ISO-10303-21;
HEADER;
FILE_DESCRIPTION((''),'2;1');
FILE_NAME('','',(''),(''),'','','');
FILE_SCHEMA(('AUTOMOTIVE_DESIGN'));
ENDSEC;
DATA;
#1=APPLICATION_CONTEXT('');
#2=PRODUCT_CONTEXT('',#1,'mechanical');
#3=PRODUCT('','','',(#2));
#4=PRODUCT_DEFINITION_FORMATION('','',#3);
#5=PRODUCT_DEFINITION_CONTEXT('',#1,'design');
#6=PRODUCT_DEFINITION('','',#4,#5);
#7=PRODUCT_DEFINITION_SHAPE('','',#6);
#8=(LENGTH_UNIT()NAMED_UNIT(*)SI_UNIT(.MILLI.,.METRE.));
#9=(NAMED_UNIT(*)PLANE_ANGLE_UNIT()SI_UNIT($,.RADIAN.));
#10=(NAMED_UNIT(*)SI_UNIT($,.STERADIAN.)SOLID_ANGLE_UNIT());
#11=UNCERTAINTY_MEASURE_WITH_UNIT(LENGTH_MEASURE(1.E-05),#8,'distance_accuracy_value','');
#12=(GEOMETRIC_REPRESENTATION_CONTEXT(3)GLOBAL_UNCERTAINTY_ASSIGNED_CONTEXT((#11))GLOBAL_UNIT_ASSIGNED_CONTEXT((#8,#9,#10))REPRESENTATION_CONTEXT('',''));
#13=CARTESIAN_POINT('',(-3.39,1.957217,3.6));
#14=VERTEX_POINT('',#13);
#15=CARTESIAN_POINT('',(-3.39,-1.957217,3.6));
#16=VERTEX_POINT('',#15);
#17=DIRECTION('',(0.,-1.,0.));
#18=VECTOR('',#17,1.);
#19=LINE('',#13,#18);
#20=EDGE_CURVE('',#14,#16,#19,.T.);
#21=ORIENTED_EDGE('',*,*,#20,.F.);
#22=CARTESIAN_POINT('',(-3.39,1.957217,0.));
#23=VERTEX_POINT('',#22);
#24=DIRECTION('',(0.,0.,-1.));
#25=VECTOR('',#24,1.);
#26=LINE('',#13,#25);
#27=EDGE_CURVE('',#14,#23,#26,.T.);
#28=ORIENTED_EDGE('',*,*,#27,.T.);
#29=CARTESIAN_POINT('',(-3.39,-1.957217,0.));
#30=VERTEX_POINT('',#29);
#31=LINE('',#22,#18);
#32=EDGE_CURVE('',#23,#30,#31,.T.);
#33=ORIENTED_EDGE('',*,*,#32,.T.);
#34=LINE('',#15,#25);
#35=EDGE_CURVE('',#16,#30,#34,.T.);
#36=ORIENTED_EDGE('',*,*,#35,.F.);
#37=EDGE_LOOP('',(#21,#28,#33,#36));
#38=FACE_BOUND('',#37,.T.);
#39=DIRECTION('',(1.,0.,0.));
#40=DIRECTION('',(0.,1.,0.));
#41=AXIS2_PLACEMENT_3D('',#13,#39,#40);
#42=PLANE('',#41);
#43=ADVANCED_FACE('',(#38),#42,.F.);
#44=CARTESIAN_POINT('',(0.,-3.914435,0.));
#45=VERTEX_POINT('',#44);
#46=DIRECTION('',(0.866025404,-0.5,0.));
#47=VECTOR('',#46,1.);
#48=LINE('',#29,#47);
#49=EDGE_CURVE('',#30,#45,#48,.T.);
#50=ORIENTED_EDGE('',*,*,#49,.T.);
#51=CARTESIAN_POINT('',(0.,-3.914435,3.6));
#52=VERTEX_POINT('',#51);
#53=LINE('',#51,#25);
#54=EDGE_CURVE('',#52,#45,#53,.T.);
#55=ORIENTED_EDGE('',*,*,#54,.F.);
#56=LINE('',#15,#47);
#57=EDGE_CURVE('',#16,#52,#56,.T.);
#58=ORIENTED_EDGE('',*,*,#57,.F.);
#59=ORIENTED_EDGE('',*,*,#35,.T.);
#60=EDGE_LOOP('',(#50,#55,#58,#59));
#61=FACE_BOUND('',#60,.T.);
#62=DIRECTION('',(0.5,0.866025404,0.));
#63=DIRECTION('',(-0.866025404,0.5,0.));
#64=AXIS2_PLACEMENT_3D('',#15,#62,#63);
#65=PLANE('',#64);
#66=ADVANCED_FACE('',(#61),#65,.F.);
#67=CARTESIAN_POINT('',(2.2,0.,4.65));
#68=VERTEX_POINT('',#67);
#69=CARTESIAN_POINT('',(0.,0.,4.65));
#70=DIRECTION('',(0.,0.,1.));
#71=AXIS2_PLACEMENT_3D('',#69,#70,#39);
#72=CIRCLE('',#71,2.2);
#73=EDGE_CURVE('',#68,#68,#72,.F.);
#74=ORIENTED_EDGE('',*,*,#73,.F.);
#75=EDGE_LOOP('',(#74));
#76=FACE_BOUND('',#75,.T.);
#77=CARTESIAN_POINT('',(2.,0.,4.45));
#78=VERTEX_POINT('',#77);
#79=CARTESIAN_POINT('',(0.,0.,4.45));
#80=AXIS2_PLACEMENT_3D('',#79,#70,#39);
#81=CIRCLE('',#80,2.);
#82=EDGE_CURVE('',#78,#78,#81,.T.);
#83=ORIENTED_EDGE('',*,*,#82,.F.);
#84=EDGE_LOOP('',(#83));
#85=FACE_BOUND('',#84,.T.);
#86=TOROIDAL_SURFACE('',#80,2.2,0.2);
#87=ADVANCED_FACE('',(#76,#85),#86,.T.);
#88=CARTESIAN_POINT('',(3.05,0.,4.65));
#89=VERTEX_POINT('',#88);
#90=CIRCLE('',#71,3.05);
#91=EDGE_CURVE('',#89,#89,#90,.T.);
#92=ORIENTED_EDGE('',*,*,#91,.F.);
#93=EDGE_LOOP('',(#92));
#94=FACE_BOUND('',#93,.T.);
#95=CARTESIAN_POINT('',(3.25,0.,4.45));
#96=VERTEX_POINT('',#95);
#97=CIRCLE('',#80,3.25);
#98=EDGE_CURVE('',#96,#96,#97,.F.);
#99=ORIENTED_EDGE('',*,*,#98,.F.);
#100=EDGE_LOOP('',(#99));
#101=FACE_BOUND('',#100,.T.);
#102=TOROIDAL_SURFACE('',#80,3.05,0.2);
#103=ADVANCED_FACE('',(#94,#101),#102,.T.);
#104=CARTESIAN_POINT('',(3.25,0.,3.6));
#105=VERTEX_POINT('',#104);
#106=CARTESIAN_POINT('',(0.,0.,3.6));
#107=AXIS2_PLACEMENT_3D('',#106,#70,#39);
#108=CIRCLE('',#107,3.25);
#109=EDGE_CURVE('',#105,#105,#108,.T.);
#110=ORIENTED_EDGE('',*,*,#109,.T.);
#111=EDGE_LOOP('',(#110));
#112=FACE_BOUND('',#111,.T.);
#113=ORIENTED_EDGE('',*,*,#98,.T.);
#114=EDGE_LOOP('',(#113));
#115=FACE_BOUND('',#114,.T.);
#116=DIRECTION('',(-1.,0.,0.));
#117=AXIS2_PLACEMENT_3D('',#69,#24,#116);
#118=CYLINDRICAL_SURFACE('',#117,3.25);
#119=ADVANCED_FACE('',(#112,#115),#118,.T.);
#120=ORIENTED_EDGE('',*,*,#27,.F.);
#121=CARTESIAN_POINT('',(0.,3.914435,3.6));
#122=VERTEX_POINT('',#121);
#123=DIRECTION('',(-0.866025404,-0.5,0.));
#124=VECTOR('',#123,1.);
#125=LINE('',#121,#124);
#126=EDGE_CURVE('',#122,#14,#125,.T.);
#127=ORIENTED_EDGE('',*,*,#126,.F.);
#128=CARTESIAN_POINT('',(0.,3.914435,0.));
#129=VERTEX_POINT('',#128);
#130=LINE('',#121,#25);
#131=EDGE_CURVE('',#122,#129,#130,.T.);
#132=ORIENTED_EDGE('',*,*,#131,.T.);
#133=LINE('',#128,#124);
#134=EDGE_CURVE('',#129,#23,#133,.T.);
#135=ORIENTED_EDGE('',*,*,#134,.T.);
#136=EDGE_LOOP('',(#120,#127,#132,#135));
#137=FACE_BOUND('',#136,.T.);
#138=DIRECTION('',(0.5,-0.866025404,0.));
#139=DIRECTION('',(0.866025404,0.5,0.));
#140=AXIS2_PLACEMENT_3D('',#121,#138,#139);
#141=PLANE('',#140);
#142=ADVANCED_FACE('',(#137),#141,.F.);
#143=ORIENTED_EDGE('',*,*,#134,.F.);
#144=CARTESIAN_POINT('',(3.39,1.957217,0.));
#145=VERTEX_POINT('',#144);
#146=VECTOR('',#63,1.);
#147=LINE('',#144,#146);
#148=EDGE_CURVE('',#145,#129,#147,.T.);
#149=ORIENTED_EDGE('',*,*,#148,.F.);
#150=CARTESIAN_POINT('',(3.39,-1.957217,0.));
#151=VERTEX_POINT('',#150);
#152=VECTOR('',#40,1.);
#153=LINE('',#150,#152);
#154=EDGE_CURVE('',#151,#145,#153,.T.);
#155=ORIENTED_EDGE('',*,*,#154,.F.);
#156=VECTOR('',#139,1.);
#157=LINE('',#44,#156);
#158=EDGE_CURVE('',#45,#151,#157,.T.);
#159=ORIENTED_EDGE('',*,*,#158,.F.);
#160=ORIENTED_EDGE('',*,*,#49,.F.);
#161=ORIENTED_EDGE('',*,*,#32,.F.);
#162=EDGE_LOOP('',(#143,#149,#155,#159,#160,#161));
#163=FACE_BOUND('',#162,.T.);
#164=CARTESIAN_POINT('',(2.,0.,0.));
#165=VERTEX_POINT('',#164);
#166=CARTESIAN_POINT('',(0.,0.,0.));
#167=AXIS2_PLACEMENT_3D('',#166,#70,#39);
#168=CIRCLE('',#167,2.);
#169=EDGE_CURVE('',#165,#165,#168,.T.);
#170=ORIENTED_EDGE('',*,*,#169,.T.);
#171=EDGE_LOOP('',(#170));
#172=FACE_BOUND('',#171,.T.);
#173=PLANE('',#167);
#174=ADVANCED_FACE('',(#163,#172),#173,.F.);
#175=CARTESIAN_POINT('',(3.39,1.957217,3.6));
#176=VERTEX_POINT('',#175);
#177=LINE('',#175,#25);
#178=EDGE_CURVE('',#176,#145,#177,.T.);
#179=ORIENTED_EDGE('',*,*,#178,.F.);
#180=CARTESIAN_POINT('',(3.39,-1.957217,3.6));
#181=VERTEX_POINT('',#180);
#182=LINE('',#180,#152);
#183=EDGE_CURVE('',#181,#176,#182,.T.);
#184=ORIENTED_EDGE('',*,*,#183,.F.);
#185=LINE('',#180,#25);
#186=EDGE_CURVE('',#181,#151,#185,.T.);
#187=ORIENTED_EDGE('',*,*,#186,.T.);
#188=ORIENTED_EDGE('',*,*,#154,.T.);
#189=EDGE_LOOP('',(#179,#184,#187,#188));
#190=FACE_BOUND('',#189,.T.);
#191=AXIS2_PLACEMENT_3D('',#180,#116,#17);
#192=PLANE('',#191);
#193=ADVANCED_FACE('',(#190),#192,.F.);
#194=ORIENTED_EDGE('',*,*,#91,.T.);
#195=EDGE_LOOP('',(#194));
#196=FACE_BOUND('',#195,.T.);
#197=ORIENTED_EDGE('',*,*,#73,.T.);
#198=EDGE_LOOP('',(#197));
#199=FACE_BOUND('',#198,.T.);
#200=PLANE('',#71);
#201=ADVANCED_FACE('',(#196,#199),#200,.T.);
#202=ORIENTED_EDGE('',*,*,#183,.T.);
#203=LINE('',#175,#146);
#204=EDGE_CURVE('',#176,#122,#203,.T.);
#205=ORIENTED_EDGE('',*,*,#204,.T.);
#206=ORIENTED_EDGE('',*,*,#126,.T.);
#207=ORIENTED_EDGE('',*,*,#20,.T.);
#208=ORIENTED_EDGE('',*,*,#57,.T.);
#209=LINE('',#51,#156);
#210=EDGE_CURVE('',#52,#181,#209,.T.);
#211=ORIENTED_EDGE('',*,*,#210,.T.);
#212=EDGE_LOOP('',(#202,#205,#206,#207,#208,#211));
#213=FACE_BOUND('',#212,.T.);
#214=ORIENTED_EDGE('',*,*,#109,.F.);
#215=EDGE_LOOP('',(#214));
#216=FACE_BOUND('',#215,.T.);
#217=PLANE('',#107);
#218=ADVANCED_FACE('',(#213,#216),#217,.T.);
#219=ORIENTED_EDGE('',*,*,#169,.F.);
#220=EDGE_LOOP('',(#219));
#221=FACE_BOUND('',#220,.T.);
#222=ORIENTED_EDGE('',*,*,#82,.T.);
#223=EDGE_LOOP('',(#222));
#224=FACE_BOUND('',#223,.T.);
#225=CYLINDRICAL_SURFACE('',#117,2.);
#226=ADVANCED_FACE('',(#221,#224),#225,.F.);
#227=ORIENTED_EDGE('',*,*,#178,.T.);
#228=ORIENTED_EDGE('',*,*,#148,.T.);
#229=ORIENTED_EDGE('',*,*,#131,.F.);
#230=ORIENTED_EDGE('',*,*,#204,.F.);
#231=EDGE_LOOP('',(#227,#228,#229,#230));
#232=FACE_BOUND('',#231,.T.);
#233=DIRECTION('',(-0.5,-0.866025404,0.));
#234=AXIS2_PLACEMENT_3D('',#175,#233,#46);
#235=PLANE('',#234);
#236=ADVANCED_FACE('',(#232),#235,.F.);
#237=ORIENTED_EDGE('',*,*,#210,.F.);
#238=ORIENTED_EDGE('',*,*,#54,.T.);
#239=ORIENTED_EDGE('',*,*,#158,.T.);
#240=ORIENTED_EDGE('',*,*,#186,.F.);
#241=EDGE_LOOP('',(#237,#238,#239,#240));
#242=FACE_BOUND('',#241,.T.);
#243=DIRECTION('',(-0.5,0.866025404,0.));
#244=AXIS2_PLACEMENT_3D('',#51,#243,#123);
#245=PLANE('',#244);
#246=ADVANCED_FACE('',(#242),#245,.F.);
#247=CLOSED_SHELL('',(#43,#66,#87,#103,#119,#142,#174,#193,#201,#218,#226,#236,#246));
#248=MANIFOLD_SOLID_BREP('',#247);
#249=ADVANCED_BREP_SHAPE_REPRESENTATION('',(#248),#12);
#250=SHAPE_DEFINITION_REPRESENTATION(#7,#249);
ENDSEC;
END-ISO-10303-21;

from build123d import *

# Parameters (mm, degrees)
EXTRUDE_1_DEPTH     = 3.6
SKETCH_2_R          = 3.25
SKETCH_2_R_2        = 2
EXTRUDE_2_DEPTH     = 1.05
SKETCH_3_R          = 2
CUT_EXTRUDE_1_DEPTH = 7.306734496
FILLET_1_R          = 0.2
FILLET_2_R          = 0.2


with BuildPart() as part:
    # 草图1 → 凸台-拉伸1 (new body)
    with BuildSketch(Plane.XY):
        Polygon((-3.39, -1.957217413), (0, -3.914434825), (3.39, -1.957217413), (3.39, 1.957217413), (0, 3.914434825), (-3.39, 1.957217413), align=None)
    extrude(amount=EXTRUDE_1_DEPTH)

    # 草图2 → 凸台-拉伸2 (add)
    with BuildSketch(Plane.XY.offset(3.6)):
        Circle(SKETCH_2_R)
        Circle(SKETCH_2_R_2, mode=Mode.SUBTRACT)
    extrude(amount=EXTRUDE_2_DEPTH)

    # 草图3 → 切除-拉伸1 (cut, through all)
    with BuildSketch(Plane.XY.offset(3.6)):
        Circle(SKETCH_3_R)
    extrude(amount=-CUT_EXTRUDE_1_DEPTH, mode=Mode.SUBTRACT)

    # 圆角1
    fillet_1_edges = [part.edges().sort_by_distance(p)[0] for p in [
        (-2, 0, 4.65),
    ]]
    fillet(fillet_1_edges, radius=FILLET_1_R)

    # 圆角2
    fillet_2_edges = [part.edges().sort_by_distance(p)[0] for p in [
        (-3.25, 0, 4.65),
    ]]
    fillet(fillet_2_edges, radius=FILLET_2_R)


solid = part.part
